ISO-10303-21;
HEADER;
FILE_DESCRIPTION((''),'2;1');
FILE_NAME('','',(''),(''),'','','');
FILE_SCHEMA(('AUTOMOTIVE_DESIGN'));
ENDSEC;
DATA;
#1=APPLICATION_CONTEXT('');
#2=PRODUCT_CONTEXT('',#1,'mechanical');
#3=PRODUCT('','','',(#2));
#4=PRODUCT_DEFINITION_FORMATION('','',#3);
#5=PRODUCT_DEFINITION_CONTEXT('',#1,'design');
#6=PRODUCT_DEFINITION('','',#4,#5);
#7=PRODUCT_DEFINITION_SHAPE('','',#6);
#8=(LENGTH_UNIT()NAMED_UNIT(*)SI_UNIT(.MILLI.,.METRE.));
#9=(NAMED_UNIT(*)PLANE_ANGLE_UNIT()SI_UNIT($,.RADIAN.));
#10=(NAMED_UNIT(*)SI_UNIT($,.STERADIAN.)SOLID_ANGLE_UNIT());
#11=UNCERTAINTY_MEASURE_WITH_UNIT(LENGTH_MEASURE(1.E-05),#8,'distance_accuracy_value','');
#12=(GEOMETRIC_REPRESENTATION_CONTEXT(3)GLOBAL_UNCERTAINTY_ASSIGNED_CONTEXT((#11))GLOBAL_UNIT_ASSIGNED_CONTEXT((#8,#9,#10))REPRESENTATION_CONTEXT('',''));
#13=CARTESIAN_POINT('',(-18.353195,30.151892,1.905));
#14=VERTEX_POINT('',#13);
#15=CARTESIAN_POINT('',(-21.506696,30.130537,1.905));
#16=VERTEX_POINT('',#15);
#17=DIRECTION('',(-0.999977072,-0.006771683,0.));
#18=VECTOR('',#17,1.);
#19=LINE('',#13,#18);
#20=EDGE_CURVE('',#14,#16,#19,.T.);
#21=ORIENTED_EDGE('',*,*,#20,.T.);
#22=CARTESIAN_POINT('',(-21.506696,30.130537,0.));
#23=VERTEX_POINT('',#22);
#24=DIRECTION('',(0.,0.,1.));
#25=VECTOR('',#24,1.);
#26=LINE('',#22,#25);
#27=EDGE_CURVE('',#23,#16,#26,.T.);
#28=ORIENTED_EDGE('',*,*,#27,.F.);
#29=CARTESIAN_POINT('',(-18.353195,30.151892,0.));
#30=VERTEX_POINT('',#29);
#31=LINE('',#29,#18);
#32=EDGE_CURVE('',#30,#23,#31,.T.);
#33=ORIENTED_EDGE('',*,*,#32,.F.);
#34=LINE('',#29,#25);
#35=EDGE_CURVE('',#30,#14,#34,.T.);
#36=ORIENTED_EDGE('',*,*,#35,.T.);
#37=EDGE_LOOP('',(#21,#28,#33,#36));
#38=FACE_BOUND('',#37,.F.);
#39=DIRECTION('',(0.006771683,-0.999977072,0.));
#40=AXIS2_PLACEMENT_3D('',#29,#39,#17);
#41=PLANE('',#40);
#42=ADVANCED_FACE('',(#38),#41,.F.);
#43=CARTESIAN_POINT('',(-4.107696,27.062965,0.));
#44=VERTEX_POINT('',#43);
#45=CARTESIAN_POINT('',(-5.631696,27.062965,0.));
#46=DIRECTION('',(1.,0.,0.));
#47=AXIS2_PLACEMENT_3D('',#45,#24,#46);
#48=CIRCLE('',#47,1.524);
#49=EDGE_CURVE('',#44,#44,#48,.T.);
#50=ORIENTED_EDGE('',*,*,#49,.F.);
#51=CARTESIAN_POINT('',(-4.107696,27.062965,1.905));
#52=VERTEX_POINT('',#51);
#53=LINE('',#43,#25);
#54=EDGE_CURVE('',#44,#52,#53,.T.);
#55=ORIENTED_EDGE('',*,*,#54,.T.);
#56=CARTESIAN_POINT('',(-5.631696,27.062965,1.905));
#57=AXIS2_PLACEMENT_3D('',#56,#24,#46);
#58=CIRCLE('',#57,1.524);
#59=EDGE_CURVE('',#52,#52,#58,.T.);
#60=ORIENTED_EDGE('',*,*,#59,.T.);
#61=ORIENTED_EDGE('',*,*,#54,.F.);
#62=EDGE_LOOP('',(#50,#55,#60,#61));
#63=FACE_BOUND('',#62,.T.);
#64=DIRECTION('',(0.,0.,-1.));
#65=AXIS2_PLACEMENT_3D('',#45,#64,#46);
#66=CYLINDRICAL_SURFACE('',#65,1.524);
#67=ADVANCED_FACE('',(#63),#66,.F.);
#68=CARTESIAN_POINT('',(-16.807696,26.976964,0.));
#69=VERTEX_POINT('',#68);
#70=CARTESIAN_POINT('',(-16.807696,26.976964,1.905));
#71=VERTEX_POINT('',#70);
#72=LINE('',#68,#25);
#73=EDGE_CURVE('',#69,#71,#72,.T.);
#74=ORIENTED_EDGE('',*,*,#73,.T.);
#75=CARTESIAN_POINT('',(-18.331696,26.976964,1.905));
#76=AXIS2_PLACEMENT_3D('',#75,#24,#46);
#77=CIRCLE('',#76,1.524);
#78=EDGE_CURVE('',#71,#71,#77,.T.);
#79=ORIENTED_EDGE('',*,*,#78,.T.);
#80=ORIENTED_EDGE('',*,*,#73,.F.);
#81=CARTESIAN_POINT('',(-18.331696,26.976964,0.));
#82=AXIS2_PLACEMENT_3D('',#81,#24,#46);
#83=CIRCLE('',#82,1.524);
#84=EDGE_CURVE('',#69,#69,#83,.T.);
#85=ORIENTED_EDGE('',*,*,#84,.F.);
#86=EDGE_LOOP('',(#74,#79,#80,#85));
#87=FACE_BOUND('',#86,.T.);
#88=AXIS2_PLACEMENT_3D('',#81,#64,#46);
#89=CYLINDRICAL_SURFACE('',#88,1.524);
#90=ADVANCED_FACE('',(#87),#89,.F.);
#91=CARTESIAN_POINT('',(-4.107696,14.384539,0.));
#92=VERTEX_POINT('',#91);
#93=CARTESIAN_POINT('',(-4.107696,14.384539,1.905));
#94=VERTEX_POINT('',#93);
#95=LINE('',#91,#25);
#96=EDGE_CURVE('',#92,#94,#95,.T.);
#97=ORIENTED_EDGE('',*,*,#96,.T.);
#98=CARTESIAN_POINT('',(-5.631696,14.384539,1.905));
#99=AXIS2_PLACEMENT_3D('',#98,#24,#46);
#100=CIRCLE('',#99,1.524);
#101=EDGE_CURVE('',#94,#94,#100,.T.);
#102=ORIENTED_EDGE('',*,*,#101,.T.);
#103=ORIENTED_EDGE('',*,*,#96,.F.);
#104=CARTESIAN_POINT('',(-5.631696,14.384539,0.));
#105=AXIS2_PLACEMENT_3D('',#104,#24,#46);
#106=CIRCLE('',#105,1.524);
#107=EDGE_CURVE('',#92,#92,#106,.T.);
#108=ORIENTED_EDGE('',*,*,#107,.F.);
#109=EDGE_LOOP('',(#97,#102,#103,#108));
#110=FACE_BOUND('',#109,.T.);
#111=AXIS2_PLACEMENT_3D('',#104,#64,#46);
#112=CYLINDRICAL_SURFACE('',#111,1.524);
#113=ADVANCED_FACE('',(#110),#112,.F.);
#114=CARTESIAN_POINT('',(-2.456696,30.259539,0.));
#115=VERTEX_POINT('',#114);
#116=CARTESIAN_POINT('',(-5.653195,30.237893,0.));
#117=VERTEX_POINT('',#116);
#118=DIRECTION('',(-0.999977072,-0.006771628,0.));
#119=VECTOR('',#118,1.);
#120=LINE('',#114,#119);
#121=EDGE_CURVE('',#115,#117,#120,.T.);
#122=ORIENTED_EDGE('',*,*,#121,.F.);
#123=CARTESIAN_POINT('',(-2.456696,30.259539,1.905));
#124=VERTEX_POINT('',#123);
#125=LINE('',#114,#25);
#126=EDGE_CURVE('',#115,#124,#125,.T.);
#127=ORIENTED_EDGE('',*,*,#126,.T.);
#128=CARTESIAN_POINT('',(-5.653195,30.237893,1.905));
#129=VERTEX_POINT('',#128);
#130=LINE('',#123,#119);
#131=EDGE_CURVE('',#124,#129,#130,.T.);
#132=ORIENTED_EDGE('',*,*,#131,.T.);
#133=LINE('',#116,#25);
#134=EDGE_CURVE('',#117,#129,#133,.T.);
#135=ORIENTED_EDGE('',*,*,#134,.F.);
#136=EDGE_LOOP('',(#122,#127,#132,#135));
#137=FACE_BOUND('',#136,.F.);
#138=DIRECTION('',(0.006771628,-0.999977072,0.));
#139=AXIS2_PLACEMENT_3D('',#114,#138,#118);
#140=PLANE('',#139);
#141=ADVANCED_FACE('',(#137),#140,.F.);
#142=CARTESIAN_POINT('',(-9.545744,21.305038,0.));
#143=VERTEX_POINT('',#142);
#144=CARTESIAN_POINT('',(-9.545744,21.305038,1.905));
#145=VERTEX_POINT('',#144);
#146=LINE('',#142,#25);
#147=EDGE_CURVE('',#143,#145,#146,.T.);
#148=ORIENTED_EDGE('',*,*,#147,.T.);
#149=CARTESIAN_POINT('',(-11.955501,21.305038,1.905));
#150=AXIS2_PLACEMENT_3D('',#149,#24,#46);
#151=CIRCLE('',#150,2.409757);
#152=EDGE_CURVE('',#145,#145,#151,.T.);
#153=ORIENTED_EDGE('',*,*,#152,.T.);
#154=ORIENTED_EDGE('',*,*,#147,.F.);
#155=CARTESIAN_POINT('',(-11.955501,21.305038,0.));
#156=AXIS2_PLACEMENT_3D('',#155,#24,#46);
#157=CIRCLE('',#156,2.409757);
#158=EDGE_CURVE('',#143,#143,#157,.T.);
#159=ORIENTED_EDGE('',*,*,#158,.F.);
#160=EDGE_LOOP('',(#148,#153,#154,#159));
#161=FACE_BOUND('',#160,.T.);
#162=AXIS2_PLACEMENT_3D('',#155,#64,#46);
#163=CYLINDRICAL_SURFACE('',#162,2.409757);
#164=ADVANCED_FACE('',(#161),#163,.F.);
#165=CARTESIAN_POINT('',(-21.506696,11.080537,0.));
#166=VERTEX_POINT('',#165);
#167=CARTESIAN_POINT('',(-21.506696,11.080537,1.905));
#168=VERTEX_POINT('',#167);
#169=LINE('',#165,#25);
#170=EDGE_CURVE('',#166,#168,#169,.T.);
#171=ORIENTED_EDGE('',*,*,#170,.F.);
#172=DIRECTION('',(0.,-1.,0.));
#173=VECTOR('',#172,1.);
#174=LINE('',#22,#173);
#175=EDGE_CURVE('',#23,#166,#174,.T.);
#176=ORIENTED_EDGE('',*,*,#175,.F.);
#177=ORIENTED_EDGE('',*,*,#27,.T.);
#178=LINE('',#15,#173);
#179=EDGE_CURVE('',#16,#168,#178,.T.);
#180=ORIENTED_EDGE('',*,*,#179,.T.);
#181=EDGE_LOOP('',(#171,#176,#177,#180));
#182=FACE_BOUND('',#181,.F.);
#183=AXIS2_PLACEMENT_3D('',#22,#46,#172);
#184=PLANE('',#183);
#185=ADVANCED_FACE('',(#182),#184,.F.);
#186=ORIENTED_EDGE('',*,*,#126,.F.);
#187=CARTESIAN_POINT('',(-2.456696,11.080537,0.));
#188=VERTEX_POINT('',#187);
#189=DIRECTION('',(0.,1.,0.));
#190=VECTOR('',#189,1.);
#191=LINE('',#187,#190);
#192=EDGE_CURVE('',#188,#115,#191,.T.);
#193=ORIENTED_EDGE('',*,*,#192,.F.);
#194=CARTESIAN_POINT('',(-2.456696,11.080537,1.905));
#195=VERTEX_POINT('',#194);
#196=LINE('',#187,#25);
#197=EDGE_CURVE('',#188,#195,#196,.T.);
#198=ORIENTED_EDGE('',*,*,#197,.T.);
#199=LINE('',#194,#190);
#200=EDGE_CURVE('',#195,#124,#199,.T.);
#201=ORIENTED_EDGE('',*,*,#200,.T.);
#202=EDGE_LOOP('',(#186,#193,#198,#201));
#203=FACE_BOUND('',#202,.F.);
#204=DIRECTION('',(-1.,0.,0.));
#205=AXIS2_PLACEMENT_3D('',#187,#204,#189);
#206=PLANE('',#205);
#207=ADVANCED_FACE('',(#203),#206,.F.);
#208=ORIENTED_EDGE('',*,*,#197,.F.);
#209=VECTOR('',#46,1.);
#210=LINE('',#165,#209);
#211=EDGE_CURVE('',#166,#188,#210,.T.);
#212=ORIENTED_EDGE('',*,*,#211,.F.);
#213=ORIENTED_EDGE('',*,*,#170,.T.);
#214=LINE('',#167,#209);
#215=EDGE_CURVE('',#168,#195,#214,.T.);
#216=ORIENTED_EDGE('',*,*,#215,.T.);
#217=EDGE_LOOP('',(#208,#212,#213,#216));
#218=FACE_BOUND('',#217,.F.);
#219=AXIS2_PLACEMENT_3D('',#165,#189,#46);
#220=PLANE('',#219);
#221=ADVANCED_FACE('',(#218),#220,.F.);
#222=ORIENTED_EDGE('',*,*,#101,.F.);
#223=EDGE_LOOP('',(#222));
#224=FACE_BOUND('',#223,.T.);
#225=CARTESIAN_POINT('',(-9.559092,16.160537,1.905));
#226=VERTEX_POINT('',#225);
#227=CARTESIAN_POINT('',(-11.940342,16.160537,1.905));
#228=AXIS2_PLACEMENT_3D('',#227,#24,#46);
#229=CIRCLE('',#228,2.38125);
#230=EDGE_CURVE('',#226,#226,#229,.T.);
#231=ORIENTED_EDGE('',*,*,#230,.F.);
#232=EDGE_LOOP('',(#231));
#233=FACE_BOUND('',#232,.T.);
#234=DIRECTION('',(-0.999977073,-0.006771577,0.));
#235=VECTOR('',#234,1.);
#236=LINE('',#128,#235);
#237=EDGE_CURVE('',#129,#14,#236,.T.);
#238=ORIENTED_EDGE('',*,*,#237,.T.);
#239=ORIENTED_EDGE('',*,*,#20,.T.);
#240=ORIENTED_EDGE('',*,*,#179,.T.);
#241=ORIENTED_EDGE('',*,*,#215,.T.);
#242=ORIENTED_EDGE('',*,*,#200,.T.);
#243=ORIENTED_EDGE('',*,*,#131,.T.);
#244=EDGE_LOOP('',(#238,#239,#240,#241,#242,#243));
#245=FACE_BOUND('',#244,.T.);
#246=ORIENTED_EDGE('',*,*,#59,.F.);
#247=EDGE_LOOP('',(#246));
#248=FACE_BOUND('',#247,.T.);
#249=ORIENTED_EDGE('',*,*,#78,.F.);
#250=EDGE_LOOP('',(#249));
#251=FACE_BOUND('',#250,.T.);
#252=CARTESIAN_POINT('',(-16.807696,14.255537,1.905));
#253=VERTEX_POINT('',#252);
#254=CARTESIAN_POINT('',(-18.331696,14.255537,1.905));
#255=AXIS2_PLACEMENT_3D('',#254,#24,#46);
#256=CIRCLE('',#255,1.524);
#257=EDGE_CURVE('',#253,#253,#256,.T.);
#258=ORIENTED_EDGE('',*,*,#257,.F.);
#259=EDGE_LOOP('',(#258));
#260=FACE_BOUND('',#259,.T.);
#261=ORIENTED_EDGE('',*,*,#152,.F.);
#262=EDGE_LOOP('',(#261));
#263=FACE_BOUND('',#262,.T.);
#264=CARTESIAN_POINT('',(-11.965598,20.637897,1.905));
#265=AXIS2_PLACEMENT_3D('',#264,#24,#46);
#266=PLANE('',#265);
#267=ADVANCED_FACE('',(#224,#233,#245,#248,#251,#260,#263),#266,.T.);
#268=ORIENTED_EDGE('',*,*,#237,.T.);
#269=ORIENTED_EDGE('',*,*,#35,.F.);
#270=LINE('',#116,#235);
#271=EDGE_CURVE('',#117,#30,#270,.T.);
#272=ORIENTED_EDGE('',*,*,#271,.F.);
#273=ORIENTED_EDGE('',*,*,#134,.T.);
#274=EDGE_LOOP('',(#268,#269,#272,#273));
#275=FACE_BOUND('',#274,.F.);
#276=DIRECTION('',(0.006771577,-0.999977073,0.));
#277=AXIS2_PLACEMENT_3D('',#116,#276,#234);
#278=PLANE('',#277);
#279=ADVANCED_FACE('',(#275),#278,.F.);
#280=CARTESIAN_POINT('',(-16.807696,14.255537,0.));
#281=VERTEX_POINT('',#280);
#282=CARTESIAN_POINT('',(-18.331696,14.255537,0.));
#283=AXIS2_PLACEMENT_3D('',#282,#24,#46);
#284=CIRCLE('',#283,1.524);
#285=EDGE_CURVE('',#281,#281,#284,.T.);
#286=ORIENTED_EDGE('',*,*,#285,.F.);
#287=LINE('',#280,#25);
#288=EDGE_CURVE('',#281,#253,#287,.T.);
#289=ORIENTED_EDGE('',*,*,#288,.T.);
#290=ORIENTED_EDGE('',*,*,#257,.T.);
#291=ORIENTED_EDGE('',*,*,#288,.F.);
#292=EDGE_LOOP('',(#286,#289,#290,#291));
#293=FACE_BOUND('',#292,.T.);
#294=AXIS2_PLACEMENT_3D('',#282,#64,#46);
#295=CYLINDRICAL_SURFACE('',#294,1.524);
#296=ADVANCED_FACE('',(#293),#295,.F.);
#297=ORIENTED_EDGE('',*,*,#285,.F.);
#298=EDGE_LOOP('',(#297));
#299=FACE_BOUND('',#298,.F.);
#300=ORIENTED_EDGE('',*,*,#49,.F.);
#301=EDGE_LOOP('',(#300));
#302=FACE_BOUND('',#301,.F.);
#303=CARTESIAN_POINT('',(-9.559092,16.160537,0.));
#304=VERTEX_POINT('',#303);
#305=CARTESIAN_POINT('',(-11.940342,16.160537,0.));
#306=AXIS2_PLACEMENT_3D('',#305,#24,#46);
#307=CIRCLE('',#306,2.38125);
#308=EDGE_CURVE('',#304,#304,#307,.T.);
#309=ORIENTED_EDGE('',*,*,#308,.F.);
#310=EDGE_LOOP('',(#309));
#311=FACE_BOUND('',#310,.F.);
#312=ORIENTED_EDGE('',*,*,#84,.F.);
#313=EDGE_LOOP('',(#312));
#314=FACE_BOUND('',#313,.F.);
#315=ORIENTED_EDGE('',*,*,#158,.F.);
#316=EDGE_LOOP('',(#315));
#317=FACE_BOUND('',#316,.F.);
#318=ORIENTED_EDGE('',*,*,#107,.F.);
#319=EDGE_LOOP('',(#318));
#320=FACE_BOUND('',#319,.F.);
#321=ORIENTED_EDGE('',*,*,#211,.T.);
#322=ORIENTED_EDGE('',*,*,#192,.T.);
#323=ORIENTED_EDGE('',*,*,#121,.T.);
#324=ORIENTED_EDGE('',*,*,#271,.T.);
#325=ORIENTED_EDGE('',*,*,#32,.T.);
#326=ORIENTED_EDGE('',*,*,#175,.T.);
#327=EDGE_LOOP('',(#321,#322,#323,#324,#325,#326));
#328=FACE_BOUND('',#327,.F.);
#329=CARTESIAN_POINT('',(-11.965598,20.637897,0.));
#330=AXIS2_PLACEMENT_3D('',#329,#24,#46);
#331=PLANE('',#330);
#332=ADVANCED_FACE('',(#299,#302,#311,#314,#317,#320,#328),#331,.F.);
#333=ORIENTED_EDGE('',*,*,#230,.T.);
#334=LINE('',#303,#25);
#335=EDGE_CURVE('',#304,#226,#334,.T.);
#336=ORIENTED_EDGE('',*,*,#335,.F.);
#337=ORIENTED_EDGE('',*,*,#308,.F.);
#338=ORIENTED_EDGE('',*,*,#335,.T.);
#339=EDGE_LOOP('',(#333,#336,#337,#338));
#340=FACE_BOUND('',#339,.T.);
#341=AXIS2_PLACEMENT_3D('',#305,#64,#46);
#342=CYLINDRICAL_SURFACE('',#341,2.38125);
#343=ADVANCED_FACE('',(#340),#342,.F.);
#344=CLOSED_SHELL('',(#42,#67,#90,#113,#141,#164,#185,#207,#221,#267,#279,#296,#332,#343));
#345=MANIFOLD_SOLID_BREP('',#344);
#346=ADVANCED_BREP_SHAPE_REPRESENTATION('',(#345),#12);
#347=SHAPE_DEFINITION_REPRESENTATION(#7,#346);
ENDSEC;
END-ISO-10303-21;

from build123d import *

# Parameters (mm, degrees)
F0_R     = 1.524
F0_R_2   = 2.38125
F0_R_3   = 2.409757
F1_DEPTH = 1.905


with BuildPart() as f1:
    # F0 (on Top) → F1 (new body)
    with BuildSketch(Plane.XY):
        Polygon((-21.506696, 26.976964), (-21.506696, 15.779537), (-21.506696, 14.255537), (-21.506696, 11.080537), (-18.331696, 11.080537), (-5.631696, 11.080537), (-2.456696, 11.080537), (-2.456696, 14.255537), (-2.456696, 14.384539), (-2.456696, 15.908539), (-2.456696, 27.062965), (-2.456696, 30.259539), (-5.653195, 30.237893), (-18.353195, 30.151892), (-21.506696, 30.130537), align=None)
        with Locations((-18.331696, 14.255537)):
            Circle(F0_R, mode=Mode.SUBTRACT)
        with Locations((-5.631696, 14.384539)):
            Circle(F0_R, mode=Mode.SUBTRACT)
        with Locations((-11.940342, 16.160537)):
            Circle(F0_R_2, mode=Mode.SUBTRACT)
        with Locations((-18.331696, 26.976964)):
            Circle(F0_R, mode=Mode.SUBTRACT)
        with Locations((-11.955501, 21.305038)):
            Circle(F0_R_3, mode=Mode.SUBTRACT)
        with Locations((-5.631696, 27.062965)):
            Circle(F0_R, mode=Mode.SUBTRACT)
    extrude(amount=F1_DEPTH)


solid = f1.part
